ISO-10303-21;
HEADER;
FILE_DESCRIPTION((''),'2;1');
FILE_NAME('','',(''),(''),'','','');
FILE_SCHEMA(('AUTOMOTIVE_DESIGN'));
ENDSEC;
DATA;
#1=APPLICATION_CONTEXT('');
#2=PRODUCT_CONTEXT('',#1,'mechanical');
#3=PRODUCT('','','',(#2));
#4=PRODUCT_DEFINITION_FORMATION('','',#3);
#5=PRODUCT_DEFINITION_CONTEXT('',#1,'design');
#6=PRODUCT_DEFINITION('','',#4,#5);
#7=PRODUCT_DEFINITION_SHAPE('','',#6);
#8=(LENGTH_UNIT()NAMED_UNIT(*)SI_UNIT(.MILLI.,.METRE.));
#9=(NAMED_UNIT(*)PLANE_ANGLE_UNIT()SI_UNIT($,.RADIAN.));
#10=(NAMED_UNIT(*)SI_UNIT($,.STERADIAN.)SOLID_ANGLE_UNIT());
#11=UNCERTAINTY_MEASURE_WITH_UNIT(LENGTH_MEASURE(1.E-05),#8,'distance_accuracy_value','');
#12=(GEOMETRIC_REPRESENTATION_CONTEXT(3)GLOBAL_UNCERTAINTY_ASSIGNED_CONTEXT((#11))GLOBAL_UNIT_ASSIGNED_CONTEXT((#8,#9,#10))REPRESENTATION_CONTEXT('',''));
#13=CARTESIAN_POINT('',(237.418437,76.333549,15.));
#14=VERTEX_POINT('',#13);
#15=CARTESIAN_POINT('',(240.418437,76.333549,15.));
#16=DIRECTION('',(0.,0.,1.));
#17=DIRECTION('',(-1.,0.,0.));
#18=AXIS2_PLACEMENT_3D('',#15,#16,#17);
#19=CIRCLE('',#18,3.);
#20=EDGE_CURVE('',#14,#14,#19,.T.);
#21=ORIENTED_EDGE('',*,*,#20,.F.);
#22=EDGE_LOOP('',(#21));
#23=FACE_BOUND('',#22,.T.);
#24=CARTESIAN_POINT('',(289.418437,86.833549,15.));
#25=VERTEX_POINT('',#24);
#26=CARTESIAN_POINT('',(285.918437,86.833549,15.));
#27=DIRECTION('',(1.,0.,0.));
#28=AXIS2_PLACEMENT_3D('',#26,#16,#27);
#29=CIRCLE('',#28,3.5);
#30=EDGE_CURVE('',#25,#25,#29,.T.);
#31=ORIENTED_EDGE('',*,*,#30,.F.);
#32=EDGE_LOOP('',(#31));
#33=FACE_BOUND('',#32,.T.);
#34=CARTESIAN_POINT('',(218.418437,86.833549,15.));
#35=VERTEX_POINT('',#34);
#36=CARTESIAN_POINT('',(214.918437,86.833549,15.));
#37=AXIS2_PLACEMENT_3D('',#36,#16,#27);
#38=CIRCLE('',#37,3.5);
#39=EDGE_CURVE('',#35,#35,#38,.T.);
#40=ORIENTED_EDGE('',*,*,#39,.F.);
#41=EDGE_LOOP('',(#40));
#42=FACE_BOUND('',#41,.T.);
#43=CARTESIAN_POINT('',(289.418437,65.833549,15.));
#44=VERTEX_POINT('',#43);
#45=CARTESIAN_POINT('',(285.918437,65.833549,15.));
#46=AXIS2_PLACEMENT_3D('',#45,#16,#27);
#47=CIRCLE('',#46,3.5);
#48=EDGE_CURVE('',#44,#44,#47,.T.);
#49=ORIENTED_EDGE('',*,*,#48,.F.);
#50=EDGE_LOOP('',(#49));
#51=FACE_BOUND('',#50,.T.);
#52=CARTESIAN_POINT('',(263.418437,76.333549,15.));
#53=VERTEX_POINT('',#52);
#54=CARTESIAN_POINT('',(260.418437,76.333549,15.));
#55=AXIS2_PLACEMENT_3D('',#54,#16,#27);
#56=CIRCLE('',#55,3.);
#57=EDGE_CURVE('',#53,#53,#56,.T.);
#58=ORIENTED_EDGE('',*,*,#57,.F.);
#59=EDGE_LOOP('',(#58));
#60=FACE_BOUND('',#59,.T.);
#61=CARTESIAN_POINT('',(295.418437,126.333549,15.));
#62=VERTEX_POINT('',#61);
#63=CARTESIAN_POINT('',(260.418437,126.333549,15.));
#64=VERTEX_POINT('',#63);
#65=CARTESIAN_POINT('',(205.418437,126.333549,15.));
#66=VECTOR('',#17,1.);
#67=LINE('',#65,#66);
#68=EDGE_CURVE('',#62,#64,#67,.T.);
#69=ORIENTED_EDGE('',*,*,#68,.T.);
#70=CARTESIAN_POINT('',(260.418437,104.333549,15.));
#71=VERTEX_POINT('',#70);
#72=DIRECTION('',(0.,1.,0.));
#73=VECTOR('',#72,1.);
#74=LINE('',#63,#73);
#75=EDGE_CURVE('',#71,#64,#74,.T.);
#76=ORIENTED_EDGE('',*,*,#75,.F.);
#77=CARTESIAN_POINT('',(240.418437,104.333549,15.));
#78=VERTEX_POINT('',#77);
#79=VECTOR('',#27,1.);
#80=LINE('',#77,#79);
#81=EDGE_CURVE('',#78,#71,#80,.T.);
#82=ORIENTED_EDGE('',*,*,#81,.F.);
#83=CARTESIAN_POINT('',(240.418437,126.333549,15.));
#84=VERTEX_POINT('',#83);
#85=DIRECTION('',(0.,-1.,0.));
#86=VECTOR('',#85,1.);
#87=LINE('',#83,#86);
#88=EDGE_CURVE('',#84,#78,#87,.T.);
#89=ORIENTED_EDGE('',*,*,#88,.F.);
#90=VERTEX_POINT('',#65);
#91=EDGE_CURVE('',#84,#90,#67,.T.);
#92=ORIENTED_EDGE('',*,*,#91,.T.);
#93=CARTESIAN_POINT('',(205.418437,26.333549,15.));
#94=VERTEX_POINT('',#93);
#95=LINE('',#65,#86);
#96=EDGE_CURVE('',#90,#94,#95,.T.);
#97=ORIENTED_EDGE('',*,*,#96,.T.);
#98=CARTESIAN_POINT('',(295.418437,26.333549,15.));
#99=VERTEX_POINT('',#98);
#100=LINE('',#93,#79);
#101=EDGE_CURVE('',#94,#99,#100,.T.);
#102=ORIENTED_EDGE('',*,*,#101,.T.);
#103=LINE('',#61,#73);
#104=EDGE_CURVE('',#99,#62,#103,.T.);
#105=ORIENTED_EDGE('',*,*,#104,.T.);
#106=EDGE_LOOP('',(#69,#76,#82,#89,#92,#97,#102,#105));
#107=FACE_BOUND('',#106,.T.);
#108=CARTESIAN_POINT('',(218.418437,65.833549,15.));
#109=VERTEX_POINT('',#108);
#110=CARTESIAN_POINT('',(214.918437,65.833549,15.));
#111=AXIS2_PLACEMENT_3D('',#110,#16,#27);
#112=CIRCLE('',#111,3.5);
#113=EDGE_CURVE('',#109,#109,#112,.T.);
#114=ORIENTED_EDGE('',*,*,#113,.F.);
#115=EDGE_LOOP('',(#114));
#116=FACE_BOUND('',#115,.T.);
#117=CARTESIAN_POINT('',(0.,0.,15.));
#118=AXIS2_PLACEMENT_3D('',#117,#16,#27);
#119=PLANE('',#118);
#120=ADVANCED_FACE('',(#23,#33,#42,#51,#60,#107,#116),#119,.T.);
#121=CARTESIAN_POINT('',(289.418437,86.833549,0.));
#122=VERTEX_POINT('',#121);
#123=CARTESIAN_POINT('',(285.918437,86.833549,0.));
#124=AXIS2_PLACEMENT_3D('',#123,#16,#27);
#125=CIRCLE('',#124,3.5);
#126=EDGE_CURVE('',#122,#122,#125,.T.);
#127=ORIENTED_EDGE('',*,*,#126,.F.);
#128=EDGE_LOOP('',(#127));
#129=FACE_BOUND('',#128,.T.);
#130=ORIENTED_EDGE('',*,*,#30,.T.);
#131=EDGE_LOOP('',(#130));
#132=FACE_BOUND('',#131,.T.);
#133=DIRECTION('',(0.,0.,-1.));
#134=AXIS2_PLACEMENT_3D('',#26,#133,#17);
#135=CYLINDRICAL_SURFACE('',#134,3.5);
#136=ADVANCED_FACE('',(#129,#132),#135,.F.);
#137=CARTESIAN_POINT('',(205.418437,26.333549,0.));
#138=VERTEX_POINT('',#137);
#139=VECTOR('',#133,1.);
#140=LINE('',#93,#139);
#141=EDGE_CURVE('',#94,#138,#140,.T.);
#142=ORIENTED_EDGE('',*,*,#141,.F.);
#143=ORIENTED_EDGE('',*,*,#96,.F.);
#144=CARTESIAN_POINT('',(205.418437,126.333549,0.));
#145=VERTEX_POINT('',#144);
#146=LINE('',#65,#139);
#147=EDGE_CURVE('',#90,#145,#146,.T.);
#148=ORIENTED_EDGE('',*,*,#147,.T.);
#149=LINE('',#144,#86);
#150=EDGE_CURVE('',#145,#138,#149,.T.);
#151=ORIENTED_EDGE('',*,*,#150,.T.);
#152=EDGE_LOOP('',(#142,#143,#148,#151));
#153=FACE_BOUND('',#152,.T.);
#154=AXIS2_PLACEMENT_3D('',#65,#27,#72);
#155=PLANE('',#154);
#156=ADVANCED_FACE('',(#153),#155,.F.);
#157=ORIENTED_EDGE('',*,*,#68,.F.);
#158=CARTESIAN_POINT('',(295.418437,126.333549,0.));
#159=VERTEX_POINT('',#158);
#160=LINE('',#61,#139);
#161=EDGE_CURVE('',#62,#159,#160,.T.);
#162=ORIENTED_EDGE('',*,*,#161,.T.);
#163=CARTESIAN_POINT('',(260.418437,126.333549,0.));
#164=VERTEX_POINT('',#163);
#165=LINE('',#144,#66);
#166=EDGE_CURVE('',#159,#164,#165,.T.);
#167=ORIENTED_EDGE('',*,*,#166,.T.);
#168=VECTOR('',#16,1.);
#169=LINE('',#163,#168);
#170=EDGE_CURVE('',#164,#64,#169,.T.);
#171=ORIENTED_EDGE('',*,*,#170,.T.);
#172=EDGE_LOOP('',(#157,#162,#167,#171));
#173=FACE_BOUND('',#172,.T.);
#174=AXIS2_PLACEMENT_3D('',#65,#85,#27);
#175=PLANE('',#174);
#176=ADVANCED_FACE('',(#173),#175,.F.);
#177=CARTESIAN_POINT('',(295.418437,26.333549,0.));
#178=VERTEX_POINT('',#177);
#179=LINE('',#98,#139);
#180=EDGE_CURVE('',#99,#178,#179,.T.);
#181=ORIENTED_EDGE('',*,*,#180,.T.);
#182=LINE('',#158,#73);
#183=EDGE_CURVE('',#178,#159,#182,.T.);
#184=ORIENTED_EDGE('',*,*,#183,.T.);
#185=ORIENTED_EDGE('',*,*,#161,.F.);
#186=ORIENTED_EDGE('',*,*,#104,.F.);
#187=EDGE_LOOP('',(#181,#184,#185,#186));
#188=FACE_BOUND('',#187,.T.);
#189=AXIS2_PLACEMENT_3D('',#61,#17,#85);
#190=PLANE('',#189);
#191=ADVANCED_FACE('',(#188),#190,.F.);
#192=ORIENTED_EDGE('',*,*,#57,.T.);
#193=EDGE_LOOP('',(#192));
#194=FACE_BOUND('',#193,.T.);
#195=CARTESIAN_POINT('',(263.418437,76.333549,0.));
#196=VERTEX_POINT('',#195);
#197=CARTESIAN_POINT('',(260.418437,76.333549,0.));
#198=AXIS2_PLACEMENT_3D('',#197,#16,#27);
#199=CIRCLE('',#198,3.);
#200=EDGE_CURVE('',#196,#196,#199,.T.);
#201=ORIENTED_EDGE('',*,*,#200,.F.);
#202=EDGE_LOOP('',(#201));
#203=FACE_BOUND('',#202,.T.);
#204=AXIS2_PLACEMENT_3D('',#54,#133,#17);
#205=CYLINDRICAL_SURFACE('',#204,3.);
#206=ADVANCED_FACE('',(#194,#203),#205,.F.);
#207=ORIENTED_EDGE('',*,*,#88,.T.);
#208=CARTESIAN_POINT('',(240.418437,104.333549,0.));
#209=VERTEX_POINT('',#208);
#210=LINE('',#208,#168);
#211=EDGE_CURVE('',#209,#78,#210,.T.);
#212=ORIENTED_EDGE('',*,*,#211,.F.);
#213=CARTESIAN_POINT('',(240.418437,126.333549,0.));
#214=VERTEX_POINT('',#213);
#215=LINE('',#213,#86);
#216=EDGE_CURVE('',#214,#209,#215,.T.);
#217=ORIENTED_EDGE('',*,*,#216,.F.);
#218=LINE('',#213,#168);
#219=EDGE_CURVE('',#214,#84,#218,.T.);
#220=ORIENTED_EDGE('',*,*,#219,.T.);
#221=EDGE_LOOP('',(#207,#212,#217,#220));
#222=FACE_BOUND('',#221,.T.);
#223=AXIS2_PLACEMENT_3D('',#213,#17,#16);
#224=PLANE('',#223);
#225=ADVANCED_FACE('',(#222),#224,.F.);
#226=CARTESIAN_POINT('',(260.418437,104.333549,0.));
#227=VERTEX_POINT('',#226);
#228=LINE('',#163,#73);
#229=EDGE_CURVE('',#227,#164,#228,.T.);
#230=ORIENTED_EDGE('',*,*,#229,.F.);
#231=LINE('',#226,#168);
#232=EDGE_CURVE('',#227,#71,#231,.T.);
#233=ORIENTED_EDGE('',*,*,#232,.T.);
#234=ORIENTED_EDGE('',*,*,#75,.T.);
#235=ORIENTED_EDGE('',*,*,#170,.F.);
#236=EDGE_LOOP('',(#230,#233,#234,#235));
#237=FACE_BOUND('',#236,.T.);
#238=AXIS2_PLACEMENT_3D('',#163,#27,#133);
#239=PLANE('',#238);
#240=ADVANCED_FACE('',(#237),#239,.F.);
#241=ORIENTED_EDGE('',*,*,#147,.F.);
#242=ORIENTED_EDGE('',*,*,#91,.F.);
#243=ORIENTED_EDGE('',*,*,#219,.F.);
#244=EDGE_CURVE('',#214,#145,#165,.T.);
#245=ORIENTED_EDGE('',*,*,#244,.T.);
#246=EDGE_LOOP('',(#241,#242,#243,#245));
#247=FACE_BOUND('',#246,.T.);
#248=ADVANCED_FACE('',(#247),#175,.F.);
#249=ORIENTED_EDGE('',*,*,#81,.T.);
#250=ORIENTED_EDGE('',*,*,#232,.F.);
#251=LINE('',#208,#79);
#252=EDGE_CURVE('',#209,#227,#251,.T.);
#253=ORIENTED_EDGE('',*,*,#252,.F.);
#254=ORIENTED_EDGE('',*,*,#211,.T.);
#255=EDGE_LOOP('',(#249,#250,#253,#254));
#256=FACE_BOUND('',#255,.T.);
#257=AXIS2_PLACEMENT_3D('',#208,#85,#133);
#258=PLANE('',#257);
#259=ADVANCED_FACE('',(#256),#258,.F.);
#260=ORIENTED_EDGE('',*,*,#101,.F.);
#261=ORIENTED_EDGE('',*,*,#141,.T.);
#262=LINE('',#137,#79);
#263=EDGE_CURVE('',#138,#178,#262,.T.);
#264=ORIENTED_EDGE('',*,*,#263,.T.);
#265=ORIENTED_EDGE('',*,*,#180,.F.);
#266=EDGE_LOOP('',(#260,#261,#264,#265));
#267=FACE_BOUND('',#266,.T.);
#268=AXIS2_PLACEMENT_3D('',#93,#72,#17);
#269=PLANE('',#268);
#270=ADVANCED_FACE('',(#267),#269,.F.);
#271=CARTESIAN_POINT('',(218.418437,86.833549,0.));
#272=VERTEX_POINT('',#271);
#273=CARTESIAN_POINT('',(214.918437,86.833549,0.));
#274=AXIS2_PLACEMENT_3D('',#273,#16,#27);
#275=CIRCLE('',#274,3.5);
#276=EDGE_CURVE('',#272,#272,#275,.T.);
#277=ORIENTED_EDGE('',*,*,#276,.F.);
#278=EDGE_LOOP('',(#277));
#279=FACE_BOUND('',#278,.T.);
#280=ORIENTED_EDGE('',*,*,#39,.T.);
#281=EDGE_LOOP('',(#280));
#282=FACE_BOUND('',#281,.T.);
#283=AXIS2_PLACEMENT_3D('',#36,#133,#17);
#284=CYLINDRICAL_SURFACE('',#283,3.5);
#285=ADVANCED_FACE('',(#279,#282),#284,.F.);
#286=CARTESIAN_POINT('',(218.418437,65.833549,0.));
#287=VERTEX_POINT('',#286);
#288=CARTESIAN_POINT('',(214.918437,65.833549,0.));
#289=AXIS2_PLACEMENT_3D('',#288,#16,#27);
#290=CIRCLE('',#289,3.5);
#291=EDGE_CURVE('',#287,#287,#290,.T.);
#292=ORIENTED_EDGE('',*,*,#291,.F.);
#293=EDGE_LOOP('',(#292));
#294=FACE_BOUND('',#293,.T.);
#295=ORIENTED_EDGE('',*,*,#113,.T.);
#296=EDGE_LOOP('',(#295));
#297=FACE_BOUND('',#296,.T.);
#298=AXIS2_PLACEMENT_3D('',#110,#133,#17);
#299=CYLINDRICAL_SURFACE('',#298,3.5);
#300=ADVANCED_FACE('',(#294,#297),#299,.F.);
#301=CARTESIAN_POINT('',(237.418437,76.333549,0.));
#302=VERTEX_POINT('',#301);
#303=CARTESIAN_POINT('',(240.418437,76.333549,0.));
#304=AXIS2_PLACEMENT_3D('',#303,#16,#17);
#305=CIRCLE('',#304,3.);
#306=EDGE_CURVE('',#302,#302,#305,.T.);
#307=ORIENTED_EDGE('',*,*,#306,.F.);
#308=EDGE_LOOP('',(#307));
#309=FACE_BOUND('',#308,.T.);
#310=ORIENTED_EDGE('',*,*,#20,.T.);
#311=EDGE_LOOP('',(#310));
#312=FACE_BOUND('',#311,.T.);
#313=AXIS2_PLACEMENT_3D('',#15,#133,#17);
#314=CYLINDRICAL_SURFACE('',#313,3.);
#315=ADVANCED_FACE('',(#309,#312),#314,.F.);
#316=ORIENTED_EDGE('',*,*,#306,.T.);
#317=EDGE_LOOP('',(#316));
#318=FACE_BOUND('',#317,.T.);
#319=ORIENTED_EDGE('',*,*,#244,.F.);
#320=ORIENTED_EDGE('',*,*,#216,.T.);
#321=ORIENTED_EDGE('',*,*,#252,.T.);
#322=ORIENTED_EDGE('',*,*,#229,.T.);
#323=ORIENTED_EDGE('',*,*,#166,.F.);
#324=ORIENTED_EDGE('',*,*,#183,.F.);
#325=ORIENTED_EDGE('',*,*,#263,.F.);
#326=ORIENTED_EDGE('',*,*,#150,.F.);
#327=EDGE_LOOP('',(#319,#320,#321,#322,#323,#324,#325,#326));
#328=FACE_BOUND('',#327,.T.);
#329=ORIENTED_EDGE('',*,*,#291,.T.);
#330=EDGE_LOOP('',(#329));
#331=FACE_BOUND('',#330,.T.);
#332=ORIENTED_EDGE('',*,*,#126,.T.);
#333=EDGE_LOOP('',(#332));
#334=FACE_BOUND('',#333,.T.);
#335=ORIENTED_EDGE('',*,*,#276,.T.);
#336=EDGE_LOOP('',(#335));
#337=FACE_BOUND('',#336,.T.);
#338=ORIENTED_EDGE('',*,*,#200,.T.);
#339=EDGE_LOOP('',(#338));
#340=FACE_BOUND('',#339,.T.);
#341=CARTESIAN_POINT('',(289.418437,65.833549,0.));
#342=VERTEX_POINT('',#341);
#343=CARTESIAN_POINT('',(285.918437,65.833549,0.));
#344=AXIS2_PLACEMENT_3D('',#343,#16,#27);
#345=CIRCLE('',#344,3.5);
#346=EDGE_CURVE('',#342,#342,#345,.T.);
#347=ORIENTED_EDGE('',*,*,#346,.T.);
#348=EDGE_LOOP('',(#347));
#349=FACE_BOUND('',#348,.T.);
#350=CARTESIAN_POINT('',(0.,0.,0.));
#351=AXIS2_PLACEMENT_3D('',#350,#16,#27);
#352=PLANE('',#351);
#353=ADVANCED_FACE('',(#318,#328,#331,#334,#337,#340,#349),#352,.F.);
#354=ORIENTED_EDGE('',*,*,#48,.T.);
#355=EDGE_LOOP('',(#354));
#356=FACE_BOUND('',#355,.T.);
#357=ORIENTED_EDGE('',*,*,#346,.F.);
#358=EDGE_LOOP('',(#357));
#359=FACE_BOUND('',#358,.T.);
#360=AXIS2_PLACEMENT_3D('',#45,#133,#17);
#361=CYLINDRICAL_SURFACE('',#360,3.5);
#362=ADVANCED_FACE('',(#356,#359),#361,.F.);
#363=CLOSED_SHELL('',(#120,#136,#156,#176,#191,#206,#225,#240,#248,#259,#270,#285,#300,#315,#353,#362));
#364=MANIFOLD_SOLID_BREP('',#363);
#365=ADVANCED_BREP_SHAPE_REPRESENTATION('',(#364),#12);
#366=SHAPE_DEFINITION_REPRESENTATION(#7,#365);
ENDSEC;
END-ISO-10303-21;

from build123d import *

# Parameters (mm, degrees)
SKETCH1_W           = 90
SKETCH1_H           = 100
SKETCH1_R           = 3
SKETCH1_R_2         = 3.5
BOSS_EXTRUDE1_DEPTH = 15
SKETCH2_W           = 20
SKETCH2_H           = 22
CUT_EXTRUDE1_DEPTH  = 15


with BuildPart() as part:
    # Sketch1 → Boss-Extrude1 (new body)
    with BuildSketch(Plane.XY):
        with Locations((250.418436726, 76.333548914)):
            Rectangle(SKETCH1_W, SKETCH1_H)
        with Locations((260.418436726, 76.333548914)):
            Circle(SKETCH1_R, mode=Mode.SUBTRACT)
        with Locations((240.418436726, 76.333548914)):
            Circle(SKETCH1_R, mode=Mode.SUBTRACT)
        with Locations((214.918436726, 86.833548914)):
            Circle(SKETCH1_R_2, mode=Mode.SUBTRACT)
        with Locations((214.918436726, 65.833548914)):
            Circle(SKETCH1_R_2, mode=Mode.SUBTRACT)
        with Locations((285.918436726, 86.833548914)):
            Circle(SKETCH1_R_2, mode=Mode.SUBTRACT)
        with Locations((285.918436726, 65.833548914)):
            Circle(SKETCH1_R_2, mode=Mode.SUBTRACT)
    extrude(amount=BOSS_EXTRUDE1_DEPTH)

    # Sketch2 → Cut-Extrude1 (cut)
    with BuildSketch(Plane.XY.offset(15)):
        with Locations((250.418436726, 115.333548914)):
            Rectangle(SKETCH2_W, SKETCH2_H)
    extrude(amount=-CUT_EXTRUDE1_DEPTH, mode=Mode.SUBTRACT)


solid = part.part
